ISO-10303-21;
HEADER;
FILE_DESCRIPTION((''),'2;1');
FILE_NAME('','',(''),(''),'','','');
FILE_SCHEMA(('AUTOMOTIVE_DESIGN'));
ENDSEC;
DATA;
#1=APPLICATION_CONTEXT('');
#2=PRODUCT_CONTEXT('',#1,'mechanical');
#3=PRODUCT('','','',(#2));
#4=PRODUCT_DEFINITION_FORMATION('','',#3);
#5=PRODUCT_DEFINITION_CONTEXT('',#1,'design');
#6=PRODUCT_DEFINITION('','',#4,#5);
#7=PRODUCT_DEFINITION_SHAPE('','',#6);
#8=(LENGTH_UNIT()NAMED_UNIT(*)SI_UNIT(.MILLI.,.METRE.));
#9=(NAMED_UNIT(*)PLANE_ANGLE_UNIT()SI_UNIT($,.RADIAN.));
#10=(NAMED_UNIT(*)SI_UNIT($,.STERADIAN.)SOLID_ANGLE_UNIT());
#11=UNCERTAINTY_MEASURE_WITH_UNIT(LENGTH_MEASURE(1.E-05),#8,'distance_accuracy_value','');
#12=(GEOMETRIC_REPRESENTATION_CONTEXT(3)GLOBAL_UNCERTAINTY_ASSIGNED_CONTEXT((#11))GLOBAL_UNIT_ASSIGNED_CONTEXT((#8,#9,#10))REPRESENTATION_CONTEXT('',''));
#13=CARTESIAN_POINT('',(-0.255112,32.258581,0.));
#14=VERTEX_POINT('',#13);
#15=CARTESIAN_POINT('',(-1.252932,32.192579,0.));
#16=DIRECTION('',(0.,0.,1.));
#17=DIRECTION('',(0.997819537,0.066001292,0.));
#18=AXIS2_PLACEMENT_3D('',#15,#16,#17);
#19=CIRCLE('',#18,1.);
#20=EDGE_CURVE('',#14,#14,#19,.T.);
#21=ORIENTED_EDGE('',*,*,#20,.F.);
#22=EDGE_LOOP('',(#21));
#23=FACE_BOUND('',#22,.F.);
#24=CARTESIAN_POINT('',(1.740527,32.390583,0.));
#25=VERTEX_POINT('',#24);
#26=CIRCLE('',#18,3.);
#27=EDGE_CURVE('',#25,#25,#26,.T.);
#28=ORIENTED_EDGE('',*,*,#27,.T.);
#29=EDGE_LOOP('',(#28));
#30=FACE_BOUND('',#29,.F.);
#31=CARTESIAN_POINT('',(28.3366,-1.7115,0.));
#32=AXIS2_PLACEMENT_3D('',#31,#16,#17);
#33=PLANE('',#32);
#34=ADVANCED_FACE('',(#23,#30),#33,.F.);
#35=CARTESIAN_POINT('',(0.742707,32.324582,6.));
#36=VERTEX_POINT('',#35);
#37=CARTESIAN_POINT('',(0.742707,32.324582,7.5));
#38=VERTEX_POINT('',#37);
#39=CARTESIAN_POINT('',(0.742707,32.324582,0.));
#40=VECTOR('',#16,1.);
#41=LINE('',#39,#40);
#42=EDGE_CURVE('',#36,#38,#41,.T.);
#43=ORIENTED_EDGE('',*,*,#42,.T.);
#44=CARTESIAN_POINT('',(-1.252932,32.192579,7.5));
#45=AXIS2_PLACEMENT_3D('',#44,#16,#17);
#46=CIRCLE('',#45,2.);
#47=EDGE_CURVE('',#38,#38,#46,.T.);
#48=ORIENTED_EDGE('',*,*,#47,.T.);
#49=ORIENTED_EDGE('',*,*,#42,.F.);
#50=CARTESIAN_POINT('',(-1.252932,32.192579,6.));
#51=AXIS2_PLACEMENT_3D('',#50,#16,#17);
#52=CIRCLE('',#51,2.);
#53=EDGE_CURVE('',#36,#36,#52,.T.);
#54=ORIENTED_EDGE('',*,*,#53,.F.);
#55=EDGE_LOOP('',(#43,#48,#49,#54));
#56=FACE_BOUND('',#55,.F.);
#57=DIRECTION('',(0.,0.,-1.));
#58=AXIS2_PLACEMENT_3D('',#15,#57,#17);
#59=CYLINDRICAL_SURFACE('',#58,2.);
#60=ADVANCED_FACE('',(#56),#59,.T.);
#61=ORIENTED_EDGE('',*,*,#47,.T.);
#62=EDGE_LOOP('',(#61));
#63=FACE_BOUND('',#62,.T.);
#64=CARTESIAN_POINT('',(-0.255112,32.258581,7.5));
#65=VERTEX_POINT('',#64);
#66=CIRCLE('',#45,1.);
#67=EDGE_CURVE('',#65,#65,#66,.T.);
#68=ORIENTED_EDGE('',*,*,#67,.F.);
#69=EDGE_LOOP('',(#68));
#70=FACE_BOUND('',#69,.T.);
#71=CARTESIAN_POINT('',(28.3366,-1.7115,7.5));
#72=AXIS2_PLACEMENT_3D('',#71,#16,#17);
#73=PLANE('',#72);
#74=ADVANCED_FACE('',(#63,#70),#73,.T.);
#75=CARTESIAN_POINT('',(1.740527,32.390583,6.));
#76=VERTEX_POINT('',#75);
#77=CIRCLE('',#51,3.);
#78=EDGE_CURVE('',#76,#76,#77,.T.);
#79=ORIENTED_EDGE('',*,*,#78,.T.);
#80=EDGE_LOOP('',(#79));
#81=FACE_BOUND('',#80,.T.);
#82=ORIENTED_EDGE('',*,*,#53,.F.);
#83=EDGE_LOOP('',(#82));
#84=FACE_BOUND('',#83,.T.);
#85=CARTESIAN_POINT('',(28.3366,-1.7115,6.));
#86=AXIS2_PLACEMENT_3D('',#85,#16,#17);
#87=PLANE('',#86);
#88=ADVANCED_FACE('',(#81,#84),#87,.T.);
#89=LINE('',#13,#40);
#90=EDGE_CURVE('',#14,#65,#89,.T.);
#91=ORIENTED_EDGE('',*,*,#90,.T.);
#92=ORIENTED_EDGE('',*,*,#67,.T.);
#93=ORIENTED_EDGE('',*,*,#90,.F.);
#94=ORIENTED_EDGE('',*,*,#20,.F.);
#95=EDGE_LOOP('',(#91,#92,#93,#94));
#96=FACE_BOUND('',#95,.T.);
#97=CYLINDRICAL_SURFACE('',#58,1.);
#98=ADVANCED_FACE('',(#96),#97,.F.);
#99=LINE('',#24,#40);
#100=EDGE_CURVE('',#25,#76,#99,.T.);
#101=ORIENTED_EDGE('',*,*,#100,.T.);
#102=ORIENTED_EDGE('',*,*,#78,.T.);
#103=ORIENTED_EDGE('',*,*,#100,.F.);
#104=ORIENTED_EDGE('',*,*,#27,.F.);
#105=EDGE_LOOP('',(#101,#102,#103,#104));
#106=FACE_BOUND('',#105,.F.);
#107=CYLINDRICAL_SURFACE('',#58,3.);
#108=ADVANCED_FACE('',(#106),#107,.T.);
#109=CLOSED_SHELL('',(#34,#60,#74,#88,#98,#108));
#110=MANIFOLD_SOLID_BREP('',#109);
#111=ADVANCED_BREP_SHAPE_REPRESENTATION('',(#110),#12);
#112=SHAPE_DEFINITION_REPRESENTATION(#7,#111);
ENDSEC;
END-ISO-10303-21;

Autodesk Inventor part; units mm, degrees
ref_plane "YZ Plane" through (0, 0, 0) normal (1, 0, 0) x (0, 1, 0)
ref_plane "XZ Plane" through (0, 0, 0) normal (0, 1, 0) x (-1, 0, 0)
ref_plane "XY Plane" through (0, 0, 0) normal (0, 0, 1) x (1, 0, 0)
ref_plane "Work Plane1" through (28.3366, -1.7115, 0) normal (0, 0, 1) x (0.9978, 0.066, 0)
sketch "Sketch1" plane through (28.3366, -1.7115, 0) normal (0, 0, 1) x (0.9978, 0.066, 0)
  circle A0 centre (-27.2873, 35.7831) radius 3
  circle A1 centre (-27.2873, 35.7831) radius 1
  circle A2 centre (-27.2873, 35.7831) radius 2
  point P0 (-28.1618, 3.5789)
  dimension "d0" = 6
  dimension "d1" = 2
  dimension "d2" = 4
extrude "Extrusion1" add sketch "Sketch1" along normal blind 7.5 contours A2
extrude "Extrusion2" add sketch "Sketch1" along normal blind 6 contours A0
thread "Thread1" size "M2x0.4" class "6H" standard "ANSI Metric M Profile" full length
properties part number "návarek na stěnu" material "Aluminum 6061"
